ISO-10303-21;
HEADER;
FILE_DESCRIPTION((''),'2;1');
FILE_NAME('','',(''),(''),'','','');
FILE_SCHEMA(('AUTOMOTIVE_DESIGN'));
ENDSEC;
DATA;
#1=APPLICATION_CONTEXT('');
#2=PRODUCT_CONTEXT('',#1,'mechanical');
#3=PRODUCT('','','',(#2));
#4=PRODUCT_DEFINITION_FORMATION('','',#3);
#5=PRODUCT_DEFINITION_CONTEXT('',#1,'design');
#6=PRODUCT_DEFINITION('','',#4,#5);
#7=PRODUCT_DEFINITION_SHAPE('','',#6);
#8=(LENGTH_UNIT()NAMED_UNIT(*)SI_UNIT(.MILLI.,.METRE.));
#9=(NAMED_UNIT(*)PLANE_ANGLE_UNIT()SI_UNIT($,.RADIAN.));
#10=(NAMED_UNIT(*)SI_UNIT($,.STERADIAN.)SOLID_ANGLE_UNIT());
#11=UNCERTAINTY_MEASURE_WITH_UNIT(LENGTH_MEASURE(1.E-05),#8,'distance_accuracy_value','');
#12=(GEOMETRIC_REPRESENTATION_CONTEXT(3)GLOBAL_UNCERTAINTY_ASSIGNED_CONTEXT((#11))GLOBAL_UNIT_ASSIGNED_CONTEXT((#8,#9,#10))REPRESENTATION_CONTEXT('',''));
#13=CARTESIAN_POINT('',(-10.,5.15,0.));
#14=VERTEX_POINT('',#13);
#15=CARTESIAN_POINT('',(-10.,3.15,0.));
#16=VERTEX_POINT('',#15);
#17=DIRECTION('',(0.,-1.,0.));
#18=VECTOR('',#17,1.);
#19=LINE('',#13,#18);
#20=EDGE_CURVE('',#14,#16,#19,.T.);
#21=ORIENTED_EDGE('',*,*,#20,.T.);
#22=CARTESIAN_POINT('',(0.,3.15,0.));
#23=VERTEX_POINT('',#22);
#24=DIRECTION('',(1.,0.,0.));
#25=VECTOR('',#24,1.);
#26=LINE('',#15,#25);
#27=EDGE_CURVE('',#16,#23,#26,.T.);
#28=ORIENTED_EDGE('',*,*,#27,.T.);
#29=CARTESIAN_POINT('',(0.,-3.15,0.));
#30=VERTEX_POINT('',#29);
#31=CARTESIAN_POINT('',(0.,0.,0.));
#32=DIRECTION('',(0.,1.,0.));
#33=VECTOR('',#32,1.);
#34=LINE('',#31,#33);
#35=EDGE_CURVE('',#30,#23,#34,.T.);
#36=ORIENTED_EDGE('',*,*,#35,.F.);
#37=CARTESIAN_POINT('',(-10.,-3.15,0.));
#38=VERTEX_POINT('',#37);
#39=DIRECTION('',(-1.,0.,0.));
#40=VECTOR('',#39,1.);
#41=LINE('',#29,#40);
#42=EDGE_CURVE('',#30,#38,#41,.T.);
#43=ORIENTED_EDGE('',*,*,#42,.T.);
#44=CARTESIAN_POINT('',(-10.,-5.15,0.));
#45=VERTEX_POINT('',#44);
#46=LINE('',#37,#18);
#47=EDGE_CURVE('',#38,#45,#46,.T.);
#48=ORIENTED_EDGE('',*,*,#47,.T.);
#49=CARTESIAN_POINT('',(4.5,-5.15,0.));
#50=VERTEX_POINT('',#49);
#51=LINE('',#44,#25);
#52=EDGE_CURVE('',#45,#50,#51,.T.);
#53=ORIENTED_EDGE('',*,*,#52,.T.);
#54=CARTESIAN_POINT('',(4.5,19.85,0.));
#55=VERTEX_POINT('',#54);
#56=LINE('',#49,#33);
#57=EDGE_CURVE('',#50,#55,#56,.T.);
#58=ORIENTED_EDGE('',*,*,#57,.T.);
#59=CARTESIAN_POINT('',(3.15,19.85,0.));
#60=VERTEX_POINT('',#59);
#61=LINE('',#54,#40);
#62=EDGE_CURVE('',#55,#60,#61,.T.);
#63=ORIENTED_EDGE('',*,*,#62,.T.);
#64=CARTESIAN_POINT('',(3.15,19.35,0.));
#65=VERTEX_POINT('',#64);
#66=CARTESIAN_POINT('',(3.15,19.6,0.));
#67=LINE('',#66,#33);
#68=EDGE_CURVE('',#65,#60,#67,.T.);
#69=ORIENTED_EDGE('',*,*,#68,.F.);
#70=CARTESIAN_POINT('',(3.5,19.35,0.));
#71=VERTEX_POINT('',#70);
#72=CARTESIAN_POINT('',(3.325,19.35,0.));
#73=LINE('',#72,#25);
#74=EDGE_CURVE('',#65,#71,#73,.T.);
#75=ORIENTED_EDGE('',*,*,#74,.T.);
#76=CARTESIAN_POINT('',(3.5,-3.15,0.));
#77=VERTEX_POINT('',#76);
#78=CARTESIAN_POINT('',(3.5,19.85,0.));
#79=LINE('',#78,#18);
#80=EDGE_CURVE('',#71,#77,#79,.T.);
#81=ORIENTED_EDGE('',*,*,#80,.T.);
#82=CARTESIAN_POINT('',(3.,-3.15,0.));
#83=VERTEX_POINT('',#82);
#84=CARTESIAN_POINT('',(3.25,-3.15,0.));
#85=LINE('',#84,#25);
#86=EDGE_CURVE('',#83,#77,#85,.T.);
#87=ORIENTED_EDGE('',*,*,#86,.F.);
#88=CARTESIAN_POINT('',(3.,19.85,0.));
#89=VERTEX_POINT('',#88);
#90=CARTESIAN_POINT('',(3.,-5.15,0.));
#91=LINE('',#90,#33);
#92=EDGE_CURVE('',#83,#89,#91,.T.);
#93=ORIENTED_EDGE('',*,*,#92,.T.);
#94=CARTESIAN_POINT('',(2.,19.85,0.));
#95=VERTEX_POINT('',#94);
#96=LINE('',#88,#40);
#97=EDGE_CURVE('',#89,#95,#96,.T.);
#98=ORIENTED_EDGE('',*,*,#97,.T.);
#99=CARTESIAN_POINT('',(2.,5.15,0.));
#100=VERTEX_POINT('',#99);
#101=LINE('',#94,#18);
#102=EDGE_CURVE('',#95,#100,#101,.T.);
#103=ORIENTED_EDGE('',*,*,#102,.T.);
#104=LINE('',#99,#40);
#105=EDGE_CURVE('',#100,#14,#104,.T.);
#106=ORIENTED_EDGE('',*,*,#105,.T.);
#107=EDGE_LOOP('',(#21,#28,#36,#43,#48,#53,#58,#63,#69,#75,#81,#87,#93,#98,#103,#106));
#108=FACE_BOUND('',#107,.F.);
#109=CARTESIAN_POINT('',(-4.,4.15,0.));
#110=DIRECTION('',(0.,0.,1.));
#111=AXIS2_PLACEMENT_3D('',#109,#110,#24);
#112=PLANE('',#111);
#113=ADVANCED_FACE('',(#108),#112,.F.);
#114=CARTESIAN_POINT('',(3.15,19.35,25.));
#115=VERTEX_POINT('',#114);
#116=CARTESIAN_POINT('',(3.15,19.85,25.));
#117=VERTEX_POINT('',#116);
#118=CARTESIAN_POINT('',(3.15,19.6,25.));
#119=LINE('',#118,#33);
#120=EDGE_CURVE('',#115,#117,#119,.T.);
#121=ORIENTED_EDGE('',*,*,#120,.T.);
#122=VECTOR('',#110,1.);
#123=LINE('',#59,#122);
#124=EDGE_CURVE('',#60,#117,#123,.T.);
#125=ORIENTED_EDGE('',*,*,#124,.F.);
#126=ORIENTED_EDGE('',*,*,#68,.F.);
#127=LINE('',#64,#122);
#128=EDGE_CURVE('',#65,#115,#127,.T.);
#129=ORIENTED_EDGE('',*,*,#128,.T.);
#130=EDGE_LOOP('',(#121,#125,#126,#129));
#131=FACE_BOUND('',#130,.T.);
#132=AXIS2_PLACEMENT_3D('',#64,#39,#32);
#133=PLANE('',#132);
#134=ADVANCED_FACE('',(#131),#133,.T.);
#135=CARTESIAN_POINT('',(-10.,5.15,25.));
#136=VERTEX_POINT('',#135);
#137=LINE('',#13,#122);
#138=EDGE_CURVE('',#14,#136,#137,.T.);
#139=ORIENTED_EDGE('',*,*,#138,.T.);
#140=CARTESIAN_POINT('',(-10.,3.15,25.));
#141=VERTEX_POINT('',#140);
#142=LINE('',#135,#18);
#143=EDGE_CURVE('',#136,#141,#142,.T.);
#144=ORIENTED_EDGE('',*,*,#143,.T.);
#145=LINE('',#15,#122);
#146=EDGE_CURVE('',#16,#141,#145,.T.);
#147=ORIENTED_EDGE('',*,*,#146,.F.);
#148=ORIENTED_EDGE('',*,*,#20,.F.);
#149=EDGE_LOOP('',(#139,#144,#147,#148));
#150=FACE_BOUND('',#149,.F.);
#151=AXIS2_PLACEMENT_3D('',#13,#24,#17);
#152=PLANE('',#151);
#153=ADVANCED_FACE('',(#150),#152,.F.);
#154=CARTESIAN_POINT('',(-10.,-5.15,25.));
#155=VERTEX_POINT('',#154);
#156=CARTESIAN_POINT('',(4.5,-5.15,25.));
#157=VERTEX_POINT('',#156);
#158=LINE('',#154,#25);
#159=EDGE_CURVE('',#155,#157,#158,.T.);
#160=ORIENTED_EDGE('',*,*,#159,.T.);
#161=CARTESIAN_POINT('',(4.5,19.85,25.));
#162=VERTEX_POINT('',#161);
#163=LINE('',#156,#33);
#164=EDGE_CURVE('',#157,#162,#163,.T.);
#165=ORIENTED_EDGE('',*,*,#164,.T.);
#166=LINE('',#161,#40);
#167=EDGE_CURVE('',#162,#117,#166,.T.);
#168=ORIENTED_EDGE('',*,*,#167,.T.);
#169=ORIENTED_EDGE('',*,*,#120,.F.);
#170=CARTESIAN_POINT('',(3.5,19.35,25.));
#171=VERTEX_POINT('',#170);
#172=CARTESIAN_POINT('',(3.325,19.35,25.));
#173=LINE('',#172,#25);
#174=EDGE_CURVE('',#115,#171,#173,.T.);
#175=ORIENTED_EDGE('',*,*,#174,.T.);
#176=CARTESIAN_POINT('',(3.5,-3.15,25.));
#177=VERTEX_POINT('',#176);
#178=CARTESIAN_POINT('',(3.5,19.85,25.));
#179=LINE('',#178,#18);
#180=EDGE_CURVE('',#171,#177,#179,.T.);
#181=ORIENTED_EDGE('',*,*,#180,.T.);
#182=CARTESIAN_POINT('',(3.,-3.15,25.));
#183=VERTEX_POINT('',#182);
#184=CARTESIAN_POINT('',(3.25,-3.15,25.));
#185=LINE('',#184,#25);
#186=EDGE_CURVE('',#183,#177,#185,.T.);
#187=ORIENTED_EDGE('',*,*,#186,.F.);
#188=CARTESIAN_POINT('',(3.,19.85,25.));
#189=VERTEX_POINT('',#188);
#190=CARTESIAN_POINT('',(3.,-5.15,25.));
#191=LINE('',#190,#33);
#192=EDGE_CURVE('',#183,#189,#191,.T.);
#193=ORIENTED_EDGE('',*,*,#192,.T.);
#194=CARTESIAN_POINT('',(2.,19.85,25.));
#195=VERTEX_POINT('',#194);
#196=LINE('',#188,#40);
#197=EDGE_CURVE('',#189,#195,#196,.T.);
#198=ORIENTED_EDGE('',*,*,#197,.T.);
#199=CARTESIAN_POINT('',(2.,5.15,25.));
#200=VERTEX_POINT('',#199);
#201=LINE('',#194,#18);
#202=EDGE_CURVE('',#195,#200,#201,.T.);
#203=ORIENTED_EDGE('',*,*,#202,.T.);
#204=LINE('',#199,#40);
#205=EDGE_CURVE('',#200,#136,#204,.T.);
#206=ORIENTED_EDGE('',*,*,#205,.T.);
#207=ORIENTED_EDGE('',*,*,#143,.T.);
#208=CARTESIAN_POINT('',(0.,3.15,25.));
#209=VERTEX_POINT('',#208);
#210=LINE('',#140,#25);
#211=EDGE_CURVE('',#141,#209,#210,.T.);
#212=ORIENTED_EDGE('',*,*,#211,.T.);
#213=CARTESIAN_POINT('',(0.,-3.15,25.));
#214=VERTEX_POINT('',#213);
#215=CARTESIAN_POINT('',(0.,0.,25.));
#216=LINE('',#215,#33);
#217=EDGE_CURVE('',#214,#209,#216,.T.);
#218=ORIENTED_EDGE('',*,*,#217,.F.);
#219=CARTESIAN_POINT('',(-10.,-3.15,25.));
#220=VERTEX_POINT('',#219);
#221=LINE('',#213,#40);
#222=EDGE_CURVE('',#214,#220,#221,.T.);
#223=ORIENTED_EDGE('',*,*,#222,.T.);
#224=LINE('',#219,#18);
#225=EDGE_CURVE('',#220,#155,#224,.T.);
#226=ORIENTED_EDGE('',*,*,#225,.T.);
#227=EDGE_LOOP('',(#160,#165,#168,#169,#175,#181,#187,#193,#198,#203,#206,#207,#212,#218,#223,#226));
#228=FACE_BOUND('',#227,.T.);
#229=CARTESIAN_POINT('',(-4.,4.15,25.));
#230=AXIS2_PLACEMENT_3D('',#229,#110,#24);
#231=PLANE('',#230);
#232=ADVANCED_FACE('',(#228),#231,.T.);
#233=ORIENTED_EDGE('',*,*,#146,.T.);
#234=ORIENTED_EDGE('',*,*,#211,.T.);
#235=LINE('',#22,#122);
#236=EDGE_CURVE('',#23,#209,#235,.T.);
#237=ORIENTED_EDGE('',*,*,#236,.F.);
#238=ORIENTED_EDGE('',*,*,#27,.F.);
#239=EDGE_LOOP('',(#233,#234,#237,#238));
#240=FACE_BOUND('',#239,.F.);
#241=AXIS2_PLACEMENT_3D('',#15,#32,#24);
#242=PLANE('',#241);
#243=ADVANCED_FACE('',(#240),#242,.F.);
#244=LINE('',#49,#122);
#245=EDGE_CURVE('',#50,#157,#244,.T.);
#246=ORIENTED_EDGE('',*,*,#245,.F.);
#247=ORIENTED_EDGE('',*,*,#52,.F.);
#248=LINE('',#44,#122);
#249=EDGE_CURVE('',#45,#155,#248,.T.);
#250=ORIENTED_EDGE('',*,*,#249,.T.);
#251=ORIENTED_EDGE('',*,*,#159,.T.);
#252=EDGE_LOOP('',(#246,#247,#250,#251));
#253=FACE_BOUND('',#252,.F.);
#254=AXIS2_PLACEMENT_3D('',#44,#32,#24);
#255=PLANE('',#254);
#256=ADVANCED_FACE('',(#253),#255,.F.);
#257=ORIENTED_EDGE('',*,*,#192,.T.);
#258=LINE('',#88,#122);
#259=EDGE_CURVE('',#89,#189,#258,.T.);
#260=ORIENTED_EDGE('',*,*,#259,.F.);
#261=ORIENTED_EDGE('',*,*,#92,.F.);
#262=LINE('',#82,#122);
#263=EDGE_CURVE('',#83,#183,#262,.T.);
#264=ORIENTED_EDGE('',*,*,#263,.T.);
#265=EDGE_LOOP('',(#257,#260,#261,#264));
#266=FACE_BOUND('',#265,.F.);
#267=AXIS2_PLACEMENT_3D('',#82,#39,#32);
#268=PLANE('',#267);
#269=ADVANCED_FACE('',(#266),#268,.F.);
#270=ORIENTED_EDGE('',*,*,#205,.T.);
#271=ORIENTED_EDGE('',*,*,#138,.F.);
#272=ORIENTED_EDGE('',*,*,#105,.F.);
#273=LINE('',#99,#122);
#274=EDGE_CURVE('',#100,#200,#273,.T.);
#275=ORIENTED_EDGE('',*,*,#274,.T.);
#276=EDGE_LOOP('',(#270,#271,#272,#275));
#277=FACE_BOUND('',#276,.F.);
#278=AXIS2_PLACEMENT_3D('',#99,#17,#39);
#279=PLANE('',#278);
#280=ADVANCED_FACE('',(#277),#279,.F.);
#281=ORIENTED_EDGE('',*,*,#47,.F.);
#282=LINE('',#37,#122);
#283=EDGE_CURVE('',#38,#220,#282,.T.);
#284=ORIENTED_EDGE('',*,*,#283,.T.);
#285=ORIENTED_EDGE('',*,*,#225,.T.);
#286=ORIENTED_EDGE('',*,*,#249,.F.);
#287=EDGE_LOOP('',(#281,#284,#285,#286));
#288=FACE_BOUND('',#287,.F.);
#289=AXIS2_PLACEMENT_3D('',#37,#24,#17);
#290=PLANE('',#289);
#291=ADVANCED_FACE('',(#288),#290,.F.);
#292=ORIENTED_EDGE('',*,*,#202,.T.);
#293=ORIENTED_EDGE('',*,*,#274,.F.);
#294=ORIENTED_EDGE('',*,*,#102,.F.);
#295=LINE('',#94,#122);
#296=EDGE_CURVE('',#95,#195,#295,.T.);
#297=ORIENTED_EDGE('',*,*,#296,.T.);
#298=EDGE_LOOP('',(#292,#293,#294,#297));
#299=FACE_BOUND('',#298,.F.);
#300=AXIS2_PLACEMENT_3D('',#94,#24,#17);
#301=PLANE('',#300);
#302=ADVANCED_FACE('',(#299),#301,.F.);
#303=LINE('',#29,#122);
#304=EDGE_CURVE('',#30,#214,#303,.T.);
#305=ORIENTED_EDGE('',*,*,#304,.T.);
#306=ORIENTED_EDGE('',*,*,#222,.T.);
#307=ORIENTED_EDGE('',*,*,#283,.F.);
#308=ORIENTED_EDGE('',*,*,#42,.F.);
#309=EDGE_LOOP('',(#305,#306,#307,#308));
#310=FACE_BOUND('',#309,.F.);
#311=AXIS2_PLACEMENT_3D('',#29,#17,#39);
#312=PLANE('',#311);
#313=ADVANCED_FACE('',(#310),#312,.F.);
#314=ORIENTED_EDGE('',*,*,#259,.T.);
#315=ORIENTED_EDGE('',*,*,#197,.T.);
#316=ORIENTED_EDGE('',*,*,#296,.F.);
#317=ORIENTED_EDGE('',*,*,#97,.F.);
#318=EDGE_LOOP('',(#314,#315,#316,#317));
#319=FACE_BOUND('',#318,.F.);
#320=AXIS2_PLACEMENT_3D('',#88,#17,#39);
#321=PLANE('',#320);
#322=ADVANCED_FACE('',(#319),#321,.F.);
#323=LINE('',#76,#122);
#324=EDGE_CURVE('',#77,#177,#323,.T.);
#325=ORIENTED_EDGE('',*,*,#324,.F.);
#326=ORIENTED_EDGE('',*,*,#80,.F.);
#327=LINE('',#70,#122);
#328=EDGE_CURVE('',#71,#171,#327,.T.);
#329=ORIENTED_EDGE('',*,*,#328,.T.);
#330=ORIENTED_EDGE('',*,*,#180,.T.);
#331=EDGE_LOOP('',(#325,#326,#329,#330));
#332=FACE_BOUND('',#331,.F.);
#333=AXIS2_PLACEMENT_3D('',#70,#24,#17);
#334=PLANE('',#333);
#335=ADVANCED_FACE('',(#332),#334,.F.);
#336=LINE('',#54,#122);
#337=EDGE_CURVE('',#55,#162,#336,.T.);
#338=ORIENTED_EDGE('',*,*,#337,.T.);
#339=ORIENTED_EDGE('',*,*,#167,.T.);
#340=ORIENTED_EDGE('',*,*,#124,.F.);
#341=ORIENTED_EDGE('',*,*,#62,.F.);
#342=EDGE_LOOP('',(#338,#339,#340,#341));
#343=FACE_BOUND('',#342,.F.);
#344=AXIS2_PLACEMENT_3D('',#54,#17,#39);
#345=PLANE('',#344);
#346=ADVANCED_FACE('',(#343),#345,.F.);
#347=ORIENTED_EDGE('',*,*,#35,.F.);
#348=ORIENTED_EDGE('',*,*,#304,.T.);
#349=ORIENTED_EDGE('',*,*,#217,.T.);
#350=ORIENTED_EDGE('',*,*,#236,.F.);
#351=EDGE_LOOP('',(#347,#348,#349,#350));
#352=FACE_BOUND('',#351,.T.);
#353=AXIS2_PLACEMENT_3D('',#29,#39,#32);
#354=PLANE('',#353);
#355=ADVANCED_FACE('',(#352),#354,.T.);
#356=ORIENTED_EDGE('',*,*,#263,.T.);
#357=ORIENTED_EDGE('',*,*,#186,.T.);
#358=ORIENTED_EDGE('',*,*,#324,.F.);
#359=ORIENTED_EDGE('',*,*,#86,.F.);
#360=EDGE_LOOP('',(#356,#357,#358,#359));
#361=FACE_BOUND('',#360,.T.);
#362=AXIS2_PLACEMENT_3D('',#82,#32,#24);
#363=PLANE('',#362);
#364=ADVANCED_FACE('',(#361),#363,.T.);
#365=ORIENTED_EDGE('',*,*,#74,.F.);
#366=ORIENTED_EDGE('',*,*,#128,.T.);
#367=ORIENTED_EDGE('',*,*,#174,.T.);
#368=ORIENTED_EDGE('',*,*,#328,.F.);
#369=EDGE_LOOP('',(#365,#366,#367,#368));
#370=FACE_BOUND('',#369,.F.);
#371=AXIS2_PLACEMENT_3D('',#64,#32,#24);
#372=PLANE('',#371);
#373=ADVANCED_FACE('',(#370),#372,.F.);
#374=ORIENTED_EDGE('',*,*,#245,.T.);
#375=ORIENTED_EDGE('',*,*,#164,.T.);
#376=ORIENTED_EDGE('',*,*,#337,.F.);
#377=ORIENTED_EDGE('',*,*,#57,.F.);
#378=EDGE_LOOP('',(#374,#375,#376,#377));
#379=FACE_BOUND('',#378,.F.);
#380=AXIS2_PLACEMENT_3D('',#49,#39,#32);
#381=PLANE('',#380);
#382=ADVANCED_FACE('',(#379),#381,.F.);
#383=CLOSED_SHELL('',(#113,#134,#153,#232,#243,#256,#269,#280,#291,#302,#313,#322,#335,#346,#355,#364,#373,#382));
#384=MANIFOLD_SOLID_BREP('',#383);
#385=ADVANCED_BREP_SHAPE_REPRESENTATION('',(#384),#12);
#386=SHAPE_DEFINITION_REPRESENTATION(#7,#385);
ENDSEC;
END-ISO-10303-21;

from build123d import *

# Parameters (mm, degrees)
F0_W     = 2
F0_H     = 6.3
F0_W_2   = 0.5
F0_H_2   = 2
F0_W_3   = 0.35
F0_H_3   = 0.5
F1_DEPTH = 25


with BuildPart() as f1:
    # F0 (on Top) → F1 (new body)
    with BuildSketch(Plane.XY):
        Polygon((2, 5.15), (-10, 5.15), (-10, 3.15), (0, 3.15), (2, 3.15), align=None)
        Polygon((2, 19.85), (2, 5.15), (2, 3.15), (2, -3.15), (2, -5.15), (3, -5.15), (3, -3.15), (3, 19.85), align=None)
        with Locations((1, 0)):
            Rectangle(F0_W, F0_H)
        Polygon((2, -5.15), (2, -3.15), (0, -3.15), (-10, -3.15), (-10, -5.15), align=None)
        with Locations((3.25, -4.15)):
            Rectangle(F0_W_2, F0_H_2)
        Polygon((3.5, 19.35), (3.5, -3.15), (3.5, -5.15), (4.5, -5.15), (4.5, 19.85), (3.5, 19.85), align=None)
        with Locations((3.325, 19.6)):
            Rectangle(F0_W_3, F0_H_3)
    extrude(amount=F1_DEPTH)


solid = f1.part
